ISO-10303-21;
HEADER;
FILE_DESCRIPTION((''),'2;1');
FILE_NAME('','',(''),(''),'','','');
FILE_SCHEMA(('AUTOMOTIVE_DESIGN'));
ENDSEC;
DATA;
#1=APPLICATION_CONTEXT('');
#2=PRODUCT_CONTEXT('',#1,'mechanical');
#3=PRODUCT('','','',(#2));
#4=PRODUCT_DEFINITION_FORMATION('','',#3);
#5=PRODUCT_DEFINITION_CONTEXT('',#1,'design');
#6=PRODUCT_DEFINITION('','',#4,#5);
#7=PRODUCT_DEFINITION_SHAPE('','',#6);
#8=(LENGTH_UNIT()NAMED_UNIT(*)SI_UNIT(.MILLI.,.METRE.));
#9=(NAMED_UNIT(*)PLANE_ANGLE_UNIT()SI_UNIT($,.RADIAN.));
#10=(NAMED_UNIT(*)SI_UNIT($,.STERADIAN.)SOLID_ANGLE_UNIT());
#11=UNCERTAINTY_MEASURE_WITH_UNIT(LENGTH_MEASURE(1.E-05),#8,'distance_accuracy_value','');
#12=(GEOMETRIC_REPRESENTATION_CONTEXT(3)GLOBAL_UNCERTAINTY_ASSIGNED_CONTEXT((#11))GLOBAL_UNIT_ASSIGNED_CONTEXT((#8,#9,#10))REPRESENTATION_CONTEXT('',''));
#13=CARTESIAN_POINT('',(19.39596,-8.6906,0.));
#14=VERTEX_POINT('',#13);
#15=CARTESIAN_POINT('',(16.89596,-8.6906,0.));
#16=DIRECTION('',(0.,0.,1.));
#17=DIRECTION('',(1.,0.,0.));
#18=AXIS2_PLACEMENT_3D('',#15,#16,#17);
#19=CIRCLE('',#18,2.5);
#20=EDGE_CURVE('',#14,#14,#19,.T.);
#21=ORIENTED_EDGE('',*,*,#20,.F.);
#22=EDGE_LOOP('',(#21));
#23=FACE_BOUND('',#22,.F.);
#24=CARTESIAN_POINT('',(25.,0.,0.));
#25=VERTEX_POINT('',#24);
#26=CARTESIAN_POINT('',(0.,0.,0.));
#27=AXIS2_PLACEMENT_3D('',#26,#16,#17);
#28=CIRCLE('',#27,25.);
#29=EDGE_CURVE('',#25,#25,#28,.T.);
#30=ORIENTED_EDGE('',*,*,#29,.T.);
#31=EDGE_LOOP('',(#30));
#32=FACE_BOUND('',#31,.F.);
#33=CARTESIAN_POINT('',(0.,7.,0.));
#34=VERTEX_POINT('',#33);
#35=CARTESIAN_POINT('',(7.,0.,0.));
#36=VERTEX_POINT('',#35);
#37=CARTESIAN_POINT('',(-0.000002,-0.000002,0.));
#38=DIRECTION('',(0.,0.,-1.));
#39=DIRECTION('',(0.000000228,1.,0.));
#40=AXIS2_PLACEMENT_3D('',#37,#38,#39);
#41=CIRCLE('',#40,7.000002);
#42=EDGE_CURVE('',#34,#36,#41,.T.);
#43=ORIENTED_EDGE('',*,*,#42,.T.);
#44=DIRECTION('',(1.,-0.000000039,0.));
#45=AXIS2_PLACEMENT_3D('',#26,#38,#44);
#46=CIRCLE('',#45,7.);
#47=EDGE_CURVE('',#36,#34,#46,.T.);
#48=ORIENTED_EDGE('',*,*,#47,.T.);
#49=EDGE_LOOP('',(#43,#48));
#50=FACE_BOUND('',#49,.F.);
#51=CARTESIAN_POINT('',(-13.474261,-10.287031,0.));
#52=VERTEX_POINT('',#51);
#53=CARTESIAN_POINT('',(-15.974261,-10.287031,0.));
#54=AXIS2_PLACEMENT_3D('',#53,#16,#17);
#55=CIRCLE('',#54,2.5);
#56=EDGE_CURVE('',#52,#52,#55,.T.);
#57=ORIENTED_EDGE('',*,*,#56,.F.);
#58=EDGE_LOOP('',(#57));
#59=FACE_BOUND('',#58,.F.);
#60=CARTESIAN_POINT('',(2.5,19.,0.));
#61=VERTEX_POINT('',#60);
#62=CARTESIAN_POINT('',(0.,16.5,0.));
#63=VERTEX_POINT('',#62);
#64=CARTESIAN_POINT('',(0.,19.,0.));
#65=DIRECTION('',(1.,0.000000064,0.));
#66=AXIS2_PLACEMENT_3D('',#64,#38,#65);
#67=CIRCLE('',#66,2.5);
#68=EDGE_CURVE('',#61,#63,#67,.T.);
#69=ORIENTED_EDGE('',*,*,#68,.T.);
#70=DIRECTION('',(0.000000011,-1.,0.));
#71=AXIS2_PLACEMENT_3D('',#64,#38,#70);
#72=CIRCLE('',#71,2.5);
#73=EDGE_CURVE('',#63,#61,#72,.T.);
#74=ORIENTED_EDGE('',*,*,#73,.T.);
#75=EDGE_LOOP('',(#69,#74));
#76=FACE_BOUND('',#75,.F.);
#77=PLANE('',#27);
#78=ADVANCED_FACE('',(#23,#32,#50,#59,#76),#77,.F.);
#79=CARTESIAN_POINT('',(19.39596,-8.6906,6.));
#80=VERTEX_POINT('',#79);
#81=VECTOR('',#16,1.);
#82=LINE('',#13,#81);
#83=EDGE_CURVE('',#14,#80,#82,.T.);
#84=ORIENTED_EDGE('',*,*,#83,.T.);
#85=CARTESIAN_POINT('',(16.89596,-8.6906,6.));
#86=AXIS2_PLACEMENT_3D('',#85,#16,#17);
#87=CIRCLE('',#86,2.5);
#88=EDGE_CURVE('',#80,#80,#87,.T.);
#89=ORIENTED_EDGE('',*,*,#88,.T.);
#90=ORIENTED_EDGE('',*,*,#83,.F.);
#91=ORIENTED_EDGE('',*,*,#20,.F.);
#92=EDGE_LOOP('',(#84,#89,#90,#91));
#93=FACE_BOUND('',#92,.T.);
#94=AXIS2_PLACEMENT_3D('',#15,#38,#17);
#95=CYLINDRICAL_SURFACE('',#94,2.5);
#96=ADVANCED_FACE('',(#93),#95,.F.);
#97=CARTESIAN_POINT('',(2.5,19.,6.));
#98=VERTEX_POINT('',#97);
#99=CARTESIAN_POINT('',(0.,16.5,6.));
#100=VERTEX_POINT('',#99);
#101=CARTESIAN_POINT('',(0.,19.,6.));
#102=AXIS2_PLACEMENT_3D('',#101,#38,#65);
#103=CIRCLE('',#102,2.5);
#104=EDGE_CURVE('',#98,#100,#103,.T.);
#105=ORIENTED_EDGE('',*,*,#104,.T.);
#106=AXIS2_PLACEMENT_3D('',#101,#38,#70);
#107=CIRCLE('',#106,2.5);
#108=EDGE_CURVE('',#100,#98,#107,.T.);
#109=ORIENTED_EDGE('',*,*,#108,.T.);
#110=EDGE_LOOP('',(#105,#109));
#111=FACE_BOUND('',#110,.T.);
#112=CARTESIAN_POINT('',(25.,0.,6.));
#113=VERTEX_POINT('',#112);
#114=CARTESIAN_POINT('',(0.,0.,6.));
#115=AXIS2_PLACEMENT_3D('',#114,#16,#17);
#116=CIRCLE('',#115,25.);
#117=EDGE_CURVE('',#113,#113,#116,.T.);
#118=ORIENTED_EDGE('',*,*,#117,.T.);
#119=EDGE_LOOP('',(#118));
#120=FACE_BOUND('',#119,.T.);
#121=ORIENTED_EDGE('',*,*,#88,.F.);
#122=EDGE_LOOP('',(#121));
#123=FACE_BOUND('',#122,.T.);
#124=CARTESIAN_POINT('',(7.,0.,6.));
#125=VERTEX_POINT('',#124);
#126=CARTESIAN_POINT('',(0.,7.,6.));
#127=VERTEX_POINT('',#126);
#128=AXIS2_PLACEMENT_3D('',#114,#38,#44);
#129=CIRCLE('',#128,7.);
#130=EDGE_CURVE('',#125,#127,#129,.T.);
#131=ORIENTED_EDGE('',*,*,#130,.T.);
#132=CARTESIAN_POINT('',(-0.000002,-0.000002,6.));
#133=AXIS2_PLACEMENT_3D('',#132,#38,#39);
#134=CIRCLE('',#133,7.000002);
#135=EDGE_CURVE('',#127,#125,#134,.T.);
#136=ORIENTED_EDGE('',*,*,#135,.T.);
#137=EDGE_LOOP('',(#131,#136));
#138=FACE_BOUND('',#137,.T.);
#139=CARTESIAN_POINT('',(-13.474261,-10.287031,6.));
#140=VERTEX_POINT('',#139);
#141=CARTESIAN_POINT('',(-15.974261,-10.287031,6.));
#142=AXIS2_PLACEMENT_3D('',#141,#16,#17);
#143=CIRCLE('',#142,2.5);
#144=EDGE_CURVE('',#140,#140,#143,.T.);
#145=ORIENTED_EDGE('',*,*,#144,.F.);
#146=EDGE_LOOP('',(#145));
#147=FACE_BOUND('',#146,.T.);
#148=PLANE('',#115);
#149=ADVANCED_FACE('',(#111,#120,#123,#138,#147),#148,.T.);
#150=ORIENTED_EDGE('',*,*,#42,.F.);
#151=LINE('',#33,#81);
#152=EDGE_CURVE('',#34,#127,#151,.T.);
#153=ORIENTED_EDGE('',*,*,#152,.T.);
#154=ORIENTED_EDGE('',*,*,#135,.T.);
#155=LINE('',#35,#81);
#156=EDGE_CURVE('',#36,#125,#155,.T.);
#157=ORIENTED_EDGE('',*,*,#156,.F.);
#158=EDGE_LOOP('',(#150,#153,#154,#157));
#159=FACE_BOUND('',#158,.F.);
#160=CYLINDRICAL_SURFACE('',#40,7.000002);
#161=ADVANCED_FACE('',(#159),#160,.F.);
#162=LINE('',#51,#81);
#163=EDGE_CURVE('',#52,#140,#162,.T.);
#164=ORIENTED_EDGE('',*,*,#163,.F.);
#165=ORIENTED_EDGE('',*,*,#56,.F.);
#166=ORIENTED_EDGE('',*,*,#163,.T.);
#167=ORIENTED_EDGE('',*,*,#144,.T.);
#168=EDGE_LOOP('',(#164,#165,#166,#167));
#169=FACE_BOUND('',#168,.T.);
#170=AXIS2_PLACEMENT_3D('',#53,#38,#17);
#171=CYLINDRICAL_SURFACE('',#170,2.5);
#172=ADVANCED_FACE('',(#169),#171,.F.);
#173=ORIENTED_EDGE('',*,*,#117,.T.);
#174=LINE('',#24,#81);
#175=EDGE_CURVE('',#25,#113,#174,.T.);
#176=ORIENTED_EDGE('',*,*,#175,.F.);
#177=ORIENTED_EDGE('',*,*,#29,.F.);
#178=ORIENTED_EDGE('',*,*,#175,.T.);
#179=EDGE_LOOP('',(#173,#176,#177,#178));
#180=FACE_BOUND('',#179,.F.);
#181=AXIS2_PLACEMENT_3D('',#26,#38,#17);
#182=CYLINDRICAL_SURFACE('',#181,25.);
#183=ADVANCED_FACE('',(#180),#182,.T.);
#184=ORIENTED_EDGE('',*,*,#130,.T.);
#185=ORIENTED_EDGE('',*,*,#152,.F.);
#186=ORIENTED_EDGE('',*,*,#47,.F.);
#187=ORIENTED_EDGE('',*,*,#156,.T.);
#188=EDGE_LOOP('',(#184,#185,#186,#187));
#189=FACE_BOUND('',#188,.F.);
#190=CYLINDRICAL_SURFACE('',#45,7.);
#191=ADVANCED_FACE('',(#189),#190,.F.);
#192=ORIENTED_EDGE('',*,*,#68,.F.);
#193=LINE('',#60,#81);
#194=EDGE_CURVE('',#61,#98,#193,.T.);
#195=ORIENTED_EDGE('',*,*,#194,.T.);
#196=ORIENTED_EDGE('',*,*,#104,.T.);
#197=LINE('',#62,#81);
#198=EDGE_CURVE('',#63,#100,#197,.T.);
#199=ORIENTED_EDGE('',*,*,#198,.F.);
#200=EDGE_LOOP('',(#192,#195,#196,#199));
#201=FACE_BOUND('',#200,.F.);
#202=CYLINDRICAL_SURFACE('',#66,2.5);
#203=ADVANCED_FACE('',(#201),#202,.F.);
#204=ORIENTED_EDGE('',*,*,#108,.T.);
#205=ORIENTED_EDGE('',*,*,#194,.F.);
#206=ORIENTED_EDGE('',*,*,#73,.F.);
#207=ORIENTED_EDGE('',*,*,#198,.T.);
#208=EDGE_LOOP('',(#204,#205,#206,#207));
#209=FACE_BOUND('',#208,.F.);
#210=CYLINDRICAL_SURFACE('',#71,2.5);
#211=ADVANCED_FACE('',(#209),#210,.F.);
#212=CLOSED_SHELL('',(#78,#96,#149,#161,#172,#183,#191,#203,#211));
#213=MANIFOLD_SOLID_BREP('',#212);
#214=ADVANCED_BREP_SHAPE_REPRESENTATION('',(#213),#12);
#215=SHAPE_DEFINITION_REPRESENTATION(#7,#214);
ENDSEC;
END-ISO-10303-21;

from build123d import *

# Parameters (mm, degrees)
F0_R     = 25
F0_R_2   = 2.5
F1_DEPTH = 6


with BuildPart() as f1:
    # F0 (on Top) → F1 (new body)
    with BuildSketch(Plane.XY):
        Circle(F0_R)
        with Locations((-15.974261, -10.287031)):
            Circle(F0_R_2, mode=Mode.SUBTRACT)
        with Locations((16.89596, -8.6906)):
            Circle(F0_R_2, mode=Mode.SUBTRACT)
        with BuildLine():
            ThreePointArc((0, 7), (4.949747, 4.949747), (7, 0))
            ThreePointArc((7, 0), (-4.949747, -4.949747), (0, 7))
        make_face(mode=Mode.SUBTRACT)
        with BuildLine():
            ThreePointArc((2.5, 19), (1.767767, 17.232233), (0, 16.5))
            ThreePointArc((0, 16.5), (-1.767767, 20.767767), (2.5, 19))
        make_face(mode=Mode.SUBTRACT)
    extrude(amount=F1_DEPTH)


solid = f1.part
